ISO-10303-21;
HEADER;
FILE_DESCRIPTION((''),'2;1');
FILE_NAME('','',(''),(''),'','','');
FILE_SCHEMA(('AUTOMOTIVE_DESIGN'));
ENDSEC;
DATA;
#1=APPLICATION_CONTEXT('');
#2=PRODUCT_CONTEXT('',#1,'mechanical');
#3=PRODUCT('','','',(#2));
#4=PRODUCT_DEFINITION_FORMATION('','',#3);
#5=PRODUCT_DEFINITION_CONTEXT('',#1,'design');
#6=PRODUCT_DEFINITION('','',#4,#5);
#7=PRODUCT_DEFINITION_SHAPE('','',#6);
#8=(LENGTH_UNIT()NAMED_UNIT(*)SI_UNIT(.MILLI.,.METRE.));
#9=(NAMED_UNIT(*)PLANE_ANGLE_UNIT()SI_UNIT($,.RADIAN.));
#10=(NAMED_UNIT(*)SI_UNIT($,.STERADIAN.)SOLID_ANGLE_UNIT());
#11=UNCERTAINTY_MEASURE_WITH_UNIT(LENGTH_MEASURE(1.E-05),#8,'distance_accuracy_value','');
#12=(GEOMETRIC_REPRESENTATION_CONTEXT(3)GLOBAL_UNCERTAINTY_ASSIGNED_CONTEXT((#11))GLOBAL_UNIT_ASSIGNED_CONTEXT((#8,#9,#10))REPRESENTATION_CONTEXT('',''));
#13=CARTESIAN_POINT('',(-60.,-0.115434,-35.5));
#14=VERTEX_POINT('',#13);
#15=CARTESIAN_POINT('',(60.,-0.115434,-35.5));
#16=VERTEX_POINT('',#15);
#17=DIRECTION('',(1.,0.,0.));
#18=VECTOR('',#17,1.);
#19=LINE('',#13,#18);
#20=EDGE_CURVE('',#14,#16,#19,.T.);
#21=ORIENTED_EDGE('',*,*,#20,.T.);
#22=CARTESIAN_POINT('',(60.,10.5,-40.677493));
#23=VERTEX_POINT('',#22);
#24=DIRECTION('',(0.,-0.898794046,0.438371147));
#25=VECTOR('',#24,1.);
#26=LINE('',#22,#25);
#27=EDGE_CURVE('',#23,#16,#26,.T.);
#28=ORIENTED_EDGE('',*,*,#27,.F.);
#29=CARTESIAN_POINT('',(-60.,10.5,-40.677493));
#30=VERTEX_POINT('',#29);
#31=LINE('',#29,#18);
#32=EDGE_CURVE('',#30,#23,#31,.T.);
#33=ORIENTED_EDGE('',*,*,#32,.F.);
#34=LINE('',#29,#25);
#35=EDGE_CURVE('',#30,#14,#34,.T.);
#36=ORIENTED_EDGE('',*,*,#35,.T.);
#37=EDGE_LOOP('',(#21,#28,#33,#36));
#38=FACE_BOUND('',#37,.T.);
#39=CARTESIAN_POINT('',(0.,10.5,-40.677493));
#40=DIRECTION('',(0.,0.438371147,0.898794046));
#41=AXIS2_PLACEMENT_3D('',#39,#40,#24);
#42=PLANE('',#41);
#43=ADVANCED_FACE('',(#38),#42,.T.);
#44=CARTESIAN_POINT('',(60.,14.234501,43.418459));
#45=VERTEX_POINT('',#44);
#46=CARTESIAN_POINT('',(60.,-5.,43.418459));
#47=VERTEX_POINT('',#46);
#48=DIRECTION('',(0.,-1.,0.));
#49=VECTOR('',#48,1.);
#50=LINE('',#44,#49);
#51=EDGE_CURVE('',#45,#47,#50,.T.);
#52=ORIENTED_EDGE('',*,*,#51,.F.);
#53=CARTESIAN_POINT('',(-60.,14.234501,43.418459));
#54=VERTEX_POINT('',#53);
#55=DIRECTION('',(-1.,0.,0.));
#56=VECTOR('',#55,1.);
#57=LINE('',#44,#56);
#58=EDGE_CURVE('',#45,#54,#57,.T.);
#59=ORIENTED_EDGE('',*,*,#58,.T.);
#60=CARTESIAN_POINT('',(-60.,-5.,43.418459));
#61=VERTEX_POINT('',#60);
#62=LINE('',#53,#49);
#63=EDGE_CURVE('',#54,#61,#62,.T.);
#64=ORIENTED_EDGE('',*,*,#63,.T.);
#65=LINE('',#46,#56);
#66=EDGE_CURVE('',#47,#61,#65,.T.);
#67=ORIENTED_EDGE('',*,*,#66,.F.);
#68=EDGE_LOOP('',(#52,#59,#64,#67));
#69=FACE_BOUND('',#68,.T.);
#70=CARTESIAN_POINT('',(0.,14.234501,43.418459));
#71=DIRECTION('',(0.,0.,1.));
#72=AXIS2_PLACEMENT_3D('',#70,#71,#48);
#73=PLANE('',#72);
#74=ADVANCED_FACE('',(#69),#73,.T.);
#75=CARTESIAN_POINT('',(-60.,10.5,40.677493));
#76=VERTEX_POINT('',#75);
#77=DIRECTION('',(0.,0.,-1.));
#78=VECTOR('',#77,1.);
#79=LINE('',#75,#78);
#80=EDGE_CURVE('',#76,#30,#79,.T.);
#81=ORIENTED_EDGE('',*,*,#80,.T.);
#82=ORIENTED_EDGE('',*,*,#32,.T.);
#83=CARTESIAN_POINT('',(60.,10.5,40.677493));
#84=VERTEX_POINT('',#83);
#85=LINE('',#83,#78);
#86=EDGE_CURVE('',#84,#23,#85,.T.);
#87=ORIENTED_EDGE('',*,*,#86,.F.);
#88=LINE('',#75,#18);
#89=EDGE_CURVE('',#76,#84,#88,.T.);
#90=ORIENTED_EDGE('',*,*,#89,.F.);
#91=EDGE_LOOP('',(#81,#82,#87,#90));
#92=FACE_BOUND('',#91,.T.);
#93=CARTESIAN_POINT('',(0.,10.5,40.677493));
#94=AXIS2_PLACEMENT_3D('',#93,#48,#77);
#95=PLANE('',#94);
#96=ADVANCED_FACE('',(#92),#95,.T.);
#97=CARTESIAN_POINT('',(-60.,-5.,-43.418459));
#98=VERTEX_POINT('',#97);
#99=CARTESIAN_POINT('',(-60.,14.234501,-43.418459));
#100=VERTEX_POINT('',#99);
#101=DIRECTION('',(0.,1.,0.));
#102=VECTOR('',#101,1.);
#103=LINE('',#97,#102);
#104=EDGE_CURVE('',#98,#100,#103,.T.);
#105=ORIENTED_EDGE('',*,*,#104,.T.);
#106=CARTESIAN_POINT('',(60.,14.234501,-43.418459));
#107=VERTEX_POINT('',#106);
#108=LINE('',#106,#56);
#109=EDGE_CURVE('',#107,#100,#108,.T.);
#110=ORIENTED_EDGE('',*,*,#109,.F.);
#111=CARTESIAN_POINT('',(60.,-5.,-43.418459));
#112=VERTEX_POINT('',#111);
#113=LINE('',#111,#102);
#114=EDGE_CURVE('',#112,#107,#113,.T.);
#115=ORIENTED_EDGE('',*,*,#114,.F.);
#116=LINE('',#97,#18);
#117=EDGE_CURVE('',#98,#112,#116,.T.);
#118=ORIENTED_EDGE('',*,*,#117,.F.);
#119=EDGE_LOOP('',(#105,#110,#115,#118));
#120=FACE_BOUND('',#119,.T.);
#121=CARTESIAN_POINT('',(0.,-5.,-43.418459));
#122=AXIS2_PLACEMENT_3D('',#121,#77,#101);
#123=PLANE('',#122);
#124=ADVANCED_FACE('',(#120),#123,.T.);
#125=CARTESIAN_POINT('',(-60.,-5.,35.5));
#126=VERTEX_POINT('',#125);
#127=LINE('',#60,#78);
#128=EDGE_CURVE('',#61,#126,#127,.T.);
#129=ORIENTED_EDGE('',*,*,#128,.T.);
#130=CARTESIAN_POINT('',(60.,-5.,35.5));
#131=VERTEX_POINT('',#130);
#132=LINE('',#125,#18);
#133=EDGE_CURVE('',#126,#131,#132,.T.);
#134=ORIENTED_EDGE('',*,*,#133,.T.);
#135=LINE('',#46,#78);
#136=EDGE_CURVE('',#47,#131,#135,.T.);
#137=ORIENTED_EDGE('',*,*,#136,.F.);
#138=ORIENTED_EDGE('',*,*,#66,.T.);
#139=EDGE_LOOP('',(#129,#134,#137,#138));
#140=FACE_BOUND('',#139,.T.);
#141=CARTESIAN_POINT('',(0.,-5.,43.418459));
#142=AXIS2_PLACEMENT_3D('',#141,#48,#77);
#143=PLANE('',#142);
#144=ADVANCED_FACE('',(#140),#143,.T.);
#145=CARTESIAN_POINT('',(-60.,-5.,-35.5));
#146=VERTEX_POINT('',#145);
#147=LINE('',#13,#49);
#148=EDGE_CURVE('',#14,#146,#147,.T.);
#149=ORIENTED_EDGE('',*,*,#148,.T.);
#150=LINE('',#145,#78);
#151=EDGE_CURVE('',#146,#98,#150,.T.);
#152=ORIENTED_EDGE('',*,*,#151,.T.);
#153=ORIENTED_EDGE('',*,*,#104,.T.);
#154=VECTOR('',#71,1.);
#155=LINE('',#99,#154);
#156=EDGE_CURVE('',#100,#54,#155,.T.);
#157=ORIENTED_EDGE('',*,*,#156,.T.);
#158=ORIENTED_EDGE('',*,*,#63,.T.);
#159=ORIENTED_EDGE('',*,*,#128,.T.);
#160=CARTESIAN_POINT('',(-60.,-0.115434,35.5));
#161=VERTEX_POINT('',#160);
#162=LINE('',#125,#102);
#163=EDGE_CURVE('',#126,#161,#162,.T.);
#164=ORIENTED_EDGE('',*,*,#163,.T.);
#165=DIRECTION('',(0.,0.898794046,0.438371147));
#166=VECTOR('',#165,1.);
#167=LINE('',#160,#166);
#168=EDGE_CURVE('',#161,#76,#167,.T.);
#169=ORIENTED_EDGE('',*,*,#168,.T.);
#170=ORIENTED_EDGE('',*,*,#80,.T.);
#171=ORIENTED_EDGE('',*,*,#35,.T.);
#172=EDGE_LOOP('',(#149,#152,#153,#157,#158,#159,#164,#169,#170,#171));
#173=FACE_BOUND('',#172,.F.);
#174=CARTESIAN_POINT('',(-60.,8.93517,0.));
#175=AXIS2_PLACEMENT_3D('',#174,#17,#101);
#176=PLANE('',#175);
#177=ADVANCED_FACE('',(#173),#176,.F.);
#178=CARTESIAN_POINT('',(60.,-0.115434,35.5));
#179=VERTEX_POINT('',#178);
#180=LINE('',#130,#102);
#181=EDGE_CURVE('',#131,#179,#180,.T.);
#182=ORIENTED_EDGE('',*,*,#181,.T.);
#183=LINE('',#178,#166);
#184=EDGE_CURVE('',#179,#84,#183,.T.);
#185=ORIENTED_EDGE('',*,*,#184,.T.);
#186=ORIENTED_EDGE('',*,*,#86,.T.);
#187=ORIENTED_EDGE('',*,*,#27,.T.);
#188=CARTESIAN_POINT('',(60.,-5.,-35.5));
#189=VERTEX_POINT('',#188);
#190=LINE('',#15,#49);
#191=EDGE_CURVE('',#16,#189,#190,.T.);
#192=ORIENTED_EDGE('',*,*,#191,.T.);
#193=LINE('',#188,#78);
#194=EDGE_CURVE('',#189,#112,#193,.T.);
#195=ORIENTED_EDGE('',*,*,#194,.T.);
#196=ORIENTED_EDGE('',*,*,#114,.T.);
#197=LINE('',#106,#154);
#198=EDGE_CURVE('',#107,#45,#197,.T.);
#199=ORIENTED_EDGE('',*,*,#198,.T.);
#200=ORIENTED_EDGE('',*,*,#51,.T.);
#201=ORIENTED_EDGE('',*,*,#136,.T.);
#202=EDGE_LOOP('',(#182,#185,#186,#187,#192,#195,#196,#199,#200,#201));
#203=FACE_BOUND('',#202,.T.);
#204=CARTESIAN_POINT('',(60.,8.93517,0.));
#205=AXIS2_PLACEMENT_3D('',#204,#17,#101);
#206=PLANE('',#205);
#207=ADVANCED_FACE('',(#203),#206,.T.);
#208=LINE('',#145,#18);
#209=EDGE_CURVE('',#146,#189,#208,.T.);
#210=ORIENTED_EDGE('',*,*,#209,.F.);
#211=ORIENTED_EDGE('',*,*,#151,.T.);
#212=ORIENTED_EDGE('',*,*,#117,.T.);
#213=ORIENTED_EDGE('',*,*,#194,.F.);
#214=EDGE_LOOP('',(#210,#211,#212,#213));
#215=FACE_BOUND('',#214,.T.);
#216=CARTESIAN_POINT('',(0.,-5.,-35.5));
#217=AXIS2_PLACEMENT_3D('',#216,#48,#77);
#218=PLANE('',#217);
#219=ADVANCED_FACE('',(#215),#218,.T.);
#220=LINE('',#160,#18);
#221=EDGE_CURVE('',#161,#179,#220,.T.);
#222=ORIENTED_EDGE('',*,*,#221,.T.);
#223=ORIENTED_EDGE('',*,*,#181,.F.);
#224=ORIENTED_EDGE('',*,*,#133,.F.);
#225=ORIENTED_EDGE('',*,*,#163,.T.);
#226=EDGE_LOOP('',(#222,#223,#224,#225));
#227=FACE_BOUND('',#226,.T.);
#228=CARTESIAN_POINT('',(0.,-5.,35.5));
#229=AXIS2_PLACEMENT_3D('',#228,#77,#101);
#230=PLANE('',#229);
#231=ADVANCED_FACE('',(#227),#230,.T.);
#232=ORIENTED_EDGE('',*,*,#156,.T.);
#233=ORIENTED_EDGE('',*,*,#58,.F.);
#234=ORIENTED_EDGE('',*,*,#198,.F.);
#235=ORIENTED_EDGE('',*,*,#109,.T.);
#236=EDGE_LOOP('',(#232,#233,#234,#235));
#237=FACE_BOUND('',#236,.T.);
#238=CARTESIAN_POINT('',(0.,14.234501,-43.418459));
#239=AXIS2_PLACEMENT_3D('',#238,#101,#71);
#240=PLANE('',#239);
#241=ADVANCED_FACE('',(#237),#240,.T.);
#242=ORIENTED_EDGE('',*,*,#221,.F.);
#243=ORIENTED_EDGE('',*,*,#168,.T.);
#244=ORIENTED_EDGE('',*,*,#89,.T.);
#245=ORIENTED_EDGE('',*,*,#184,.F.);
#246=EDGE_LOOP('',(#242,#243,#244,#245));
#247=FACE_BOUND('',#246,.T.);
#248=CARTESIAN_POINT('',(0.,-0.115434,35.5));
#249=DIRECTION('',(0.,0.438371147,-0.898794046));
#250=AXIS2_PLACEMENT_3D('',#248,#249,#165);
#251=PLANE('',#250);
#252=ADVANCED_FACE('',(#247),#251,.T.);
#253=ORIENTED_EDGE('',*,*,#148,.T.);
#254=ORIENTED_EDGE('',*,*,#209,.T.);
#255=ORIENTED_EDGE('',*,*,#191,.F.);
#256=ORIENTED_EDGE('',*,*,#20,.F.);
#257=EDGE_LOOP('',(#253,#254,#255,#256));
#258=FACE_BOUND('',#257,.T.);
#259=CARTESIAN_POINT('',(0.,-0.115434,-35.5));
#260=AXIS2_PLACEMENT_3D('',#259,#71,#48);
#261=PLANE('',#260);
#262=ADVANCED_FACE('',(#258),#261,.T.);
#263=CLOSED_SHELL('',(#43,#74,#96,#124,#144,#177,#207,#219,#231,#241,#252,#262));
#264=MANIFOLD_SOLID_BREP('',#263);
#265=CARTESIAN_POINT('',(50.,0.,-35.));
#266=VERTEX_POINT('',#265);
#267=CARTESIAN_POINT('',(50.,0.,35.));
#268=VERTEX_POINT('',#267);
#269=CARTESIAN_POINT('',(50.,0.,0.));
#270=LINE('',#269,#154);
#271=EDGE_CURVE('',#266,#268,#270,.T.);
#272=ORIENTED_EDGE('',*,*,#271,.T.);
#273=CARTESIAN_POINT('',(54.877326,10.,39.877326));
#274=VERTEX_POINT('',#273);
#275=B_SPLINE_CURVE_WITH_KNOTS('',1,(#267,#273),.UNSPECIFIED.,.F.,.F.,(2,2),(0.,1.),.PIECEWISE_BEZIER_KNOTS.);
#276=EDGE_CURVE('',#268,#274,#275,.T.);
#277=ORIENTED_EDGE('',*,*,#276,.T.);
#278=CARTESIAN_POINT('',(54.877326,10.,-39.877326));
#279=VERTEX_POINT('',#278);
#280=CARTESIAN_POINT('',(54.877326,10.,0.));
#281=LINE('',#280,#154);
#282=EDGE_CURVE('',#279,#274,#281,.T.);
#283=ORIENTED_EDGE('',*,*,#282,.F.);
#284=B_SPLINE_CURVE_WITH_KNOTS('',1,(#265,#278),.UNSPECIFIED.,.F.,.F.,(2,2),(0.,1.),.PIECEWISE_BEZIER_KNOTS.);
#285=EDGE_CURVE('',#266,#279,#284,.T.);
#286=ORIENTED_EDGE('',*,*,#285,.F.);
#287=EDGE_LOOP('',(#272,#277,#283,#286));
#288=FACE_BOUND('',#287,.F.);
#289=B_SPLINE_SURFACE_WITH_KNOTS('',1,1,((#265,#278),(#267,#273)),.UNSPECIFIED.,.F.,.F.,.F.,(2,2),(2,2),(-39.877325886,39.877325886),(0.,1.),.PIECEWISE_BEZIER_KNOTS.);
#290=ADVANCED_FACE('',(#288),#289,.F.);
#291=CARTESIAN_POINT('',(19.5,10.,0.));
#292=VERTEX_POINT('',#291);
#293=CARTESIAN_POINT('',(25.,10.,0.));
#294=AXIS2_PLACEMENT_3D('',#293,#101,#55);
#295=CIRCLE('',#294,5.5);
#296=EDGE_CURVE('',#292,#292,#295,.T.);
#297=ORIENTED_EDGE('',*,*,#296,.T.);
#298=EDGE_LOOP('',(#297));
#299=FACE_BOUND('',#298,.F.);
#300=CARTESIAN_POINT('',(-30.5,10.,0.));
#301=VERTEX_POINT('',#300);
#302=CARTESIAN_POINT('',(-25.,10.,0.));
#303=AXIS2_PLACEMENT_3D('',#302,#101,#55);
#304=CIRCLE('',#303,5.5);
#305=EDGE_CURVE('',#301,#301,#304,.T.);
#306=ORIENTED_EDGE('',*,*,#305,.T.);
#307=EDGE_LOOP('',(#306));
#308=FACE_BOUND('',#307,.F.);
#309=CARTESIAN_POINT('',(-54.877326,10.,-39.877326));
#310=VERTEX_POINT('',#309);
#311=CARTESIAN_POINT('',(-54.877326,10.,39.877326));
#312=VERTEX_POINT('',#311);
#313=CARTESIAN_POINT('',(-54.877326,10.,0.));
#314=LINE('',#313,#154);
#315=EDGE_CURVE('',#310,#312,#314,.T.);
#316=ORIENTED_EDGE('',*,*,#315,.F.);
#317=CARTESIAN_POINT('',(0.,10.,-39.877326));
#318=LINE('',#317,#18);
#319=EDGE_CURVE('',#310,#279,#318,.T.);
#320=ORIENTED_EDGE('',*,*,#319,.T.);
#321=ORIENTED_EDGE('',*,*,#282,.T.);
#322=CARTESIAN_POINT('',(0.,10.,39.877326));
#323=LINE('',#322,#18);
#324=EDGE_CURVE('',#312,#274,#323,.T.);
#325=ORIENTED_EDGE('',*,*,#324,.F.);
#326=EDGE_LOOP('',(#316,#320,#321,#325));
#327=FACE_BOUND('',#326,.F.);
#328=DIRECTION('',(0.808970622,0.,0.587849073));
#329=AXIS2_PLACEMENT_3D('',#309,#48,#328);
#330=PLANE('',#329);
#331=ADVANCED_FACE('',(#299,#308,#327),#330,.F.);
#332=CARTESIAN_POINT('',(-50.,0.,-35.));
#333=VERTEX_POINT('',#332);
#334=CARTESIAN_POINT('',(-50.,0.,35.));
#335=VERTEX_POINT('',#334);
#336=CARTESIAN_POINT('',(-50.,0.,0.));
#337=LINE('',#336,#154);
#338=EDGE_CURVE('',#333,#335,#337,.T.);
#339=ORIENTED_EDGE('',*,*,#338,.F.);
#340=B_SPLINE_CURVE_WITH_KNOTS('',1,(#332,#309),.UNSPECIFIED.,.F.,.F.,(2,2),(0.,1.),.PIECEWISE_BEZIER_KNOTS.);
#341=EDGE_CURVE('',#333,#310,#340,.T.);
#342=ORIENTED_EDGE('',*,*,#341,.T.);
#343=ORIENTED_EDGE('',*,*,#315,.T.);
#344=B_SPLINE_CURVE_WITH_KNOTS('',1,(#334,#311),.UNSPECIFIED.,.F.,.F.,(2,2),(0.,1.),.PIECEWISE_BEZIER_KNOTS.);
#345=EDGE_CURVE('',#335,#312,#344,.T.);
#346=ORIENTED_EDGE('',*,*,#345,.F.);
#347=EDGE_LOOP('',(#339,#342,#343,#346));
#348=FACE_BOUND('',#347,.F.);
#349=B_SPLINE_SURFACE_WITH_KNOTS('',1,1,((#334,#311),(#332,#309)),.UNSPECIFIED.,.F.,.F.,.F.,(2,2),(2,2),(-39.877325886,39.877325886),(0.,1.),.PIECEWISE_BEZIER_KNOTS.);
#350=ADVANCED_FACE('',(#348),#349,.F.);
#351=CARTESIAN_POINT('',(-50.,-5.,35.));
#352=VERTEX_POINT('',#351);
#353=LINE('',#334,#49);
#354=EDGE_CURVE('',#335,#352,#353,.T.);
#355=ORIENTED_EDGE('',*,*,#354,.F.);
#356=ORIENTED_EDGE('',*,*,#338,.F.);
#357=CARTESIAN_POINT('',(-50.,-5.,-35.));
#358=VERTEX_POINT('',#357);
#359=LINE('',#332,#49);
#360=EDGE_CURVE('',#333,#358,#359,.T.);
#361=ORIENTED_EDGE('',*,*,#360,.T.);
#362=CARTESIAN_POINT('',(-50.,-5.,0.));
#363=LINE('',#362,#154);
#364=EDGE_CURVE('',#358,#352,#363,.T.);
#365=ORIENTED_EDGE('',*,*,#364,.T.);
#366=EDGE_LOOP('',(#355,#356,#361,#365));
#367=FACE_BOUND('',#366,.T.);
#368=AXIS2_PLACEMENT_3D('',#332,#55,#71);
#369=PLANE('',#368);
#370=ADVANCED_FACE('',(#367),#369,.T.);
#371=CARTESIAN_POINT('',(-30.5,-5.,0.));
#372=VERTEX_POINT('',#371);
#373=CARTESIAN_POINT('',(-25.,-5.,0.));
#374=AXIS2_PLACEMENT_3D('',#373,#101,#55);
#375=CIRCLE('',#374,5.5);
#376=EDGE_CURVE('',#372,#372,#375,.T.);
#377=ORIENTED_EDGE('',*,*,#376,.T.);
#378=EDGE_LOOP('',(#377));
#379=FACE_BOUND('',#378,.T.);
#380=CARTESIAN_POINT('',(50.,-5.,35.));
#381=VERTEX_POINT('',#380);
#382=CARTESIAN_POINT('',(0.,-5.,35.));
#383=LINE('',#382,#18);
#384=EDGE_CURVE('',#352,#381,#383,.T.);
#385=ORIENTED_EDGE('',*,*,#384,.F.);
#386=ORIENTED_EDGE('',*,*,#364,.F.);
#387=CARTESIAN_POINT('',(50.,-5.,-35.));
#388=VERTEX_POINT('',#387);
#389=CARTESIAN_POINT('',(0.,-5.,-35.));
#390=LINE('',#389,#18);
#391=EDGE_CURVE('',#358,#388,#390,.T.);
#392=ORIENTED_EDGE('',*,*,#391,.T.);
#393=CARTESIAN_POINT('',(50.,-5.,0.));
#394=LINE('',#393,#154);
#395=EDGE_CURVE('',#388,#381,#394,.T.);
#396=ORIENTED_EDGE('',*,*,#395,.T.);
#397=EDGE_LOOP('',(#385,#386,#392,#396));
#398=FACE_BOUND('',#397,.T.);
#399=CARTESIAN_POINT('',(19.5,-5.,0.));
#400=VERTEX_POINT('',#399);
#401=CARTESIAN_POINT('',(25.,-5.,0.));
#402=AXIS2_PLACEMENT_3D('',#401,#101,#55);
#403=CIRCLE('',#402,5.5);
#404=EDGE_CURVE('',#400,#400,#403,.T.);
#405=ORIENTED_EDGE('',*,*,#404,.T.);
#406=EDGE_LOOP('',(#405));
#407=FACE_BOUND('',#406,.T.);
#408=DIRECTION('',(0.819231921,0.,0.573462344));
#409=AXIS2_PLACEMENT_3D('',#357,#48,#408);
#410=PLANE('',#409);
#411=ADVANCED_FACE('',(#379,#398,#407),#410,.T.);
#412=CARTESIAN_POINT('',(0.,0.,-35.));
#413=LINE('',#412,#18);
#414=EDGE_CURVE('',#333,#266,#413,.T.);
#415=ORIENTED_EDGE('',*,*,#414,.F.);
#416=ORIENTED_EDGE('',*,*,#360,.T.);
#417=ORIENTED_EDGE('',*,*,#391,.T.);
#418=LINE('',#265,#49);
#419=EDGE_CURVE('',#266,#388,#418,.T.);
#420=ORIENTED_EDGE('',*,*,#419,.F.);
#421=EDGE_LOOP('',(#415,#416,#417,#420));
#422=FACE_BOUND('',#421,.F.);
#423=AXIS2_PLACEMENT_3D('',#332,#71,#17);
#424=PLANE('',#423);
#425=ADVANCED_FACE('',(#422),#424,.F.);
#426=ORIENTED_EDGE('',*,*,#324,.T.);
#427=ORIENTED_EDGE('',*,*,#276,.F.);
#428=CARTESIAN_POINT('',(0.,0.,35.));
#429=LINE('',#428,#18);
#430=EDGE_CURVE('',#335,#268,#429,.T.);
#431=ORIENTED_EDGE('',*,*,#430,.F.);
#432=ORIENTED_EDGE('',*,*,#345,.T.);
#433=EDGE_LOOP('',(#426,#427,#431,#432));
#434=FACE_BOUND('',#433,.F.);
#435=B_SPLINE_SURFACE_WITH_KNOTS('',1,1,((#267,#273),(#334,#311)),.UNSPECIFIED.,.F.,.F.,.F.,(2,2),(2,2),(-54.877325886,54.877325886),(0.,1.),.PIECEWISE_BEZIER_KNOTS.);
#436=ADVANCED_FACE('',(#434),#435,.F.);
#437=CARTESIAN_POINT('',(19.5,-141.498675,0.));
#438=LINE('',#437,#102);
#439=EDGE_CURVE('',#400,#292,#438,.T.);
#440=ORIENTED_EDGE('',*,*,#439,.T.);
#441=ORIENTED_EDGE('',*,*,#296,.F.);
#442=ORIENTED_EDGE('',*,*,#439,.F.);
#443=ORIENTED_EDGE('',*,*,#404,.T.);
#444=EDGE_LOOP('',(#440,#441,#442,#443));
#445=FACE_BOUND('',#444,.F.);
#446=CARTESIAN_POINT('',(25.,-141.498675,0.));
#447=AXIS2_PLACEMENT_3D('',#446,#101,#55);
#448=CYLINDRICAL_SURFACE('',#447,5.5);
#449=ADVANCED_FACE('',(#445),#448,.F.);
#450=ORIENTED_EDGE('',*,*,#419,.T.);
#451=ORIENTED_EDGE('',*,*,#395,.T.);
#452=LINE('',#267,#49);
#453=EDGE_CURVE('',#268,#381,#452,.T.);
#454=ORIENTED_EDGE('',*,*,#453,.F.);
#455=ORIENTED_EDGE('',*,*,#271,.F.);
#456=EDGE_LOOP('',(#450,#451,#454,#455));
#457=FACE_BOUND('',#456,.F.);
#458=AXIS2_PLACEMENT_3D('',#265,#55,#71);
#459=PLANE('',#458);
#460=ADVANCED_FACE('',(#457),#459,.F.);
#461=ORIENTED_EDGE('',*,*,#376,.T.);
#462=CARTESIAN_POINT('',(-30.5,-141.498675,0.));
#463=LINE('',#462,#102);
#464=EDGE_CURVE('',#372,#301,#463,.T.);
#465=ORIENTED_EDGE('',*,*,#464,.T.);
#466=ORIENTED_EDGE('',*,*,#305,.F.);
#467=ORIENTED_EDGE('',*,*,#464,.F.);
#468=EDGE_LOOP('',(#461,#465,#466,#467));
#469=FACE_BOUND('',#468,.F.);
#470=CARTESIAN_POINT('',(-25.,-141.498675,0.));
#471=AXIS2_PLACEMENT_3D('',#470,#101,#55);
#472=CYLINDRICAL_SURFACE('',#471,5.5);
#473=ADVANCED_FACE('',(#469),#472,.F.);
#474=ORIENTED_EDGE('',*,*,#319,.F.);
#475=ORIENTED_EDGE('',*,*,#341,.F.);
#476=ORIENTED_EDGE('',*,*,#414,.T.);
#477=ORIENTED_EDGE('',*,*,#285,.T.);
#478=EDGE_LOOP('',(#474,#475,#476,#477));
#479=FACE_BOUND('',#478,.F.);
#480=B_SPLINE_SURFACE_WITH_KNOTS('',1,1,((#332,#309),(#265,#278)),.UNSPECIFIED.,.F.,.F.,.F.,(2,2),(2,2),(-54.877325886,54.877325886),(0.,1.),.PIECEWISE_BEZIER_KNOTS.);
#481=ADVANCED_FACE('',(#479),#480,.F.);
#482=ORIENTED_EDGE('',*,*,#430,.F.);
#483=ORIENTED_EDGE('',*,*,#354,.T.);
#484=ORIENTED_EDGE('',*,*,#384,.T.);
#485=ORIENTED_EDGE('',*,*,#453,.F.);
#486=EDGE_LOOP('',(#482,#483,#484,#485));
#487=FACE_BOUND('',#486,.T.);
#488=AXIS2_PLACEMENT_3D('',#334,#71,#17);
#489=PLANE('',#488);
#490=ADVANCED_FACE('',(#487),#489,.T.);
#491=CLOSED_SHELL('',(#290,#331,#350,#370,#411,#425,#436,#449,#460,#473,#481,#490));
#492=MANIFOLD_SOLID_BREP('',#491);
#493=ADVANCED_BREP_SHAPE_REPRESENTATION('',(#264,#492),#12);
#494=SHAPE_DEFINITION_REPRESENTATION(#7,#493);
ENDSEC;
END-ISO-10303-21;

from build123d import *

# Parameters (mm, degrees)
F0_W          = 100
F0_H          = 70
F1_DEPTH      = 10
F1_TAPER      = -26
F2_DEPTH      = 5
F4_D          = 11
F6_DEPTH      = 60
F6_DEPTH_BACK = 60


with BuildPart() as f1:
    # F0 (on Front) → F1 (new body)
    with BuildSketch(Plane.XZ):
        Rectangle(F0_W, F0_H)
    extrude(amount=-F1_DEPTH, taper=F1_TAPER)

    # F2 (add): a face of the model
    f2_faces = [f1.faces().sort_by_distance(p)[0] for p in [
        (0, 0, 0),
    ]]
    extrude(f2_faces, amount=F2_DEPTH)

    # F4 (through all)
    with Locations(Plane.XZ.offset(5)):
        with Locations((-25, 0), (25, 0)):
            Hole(F4_D / 2)


with BuildPart() as f6:
    # F5 (on Right) → F6 (new body, two sides)
    with BuildSketch(Plane.YZ) as f6_sk:
        Polygon((-5, 43.4184594378), (-5, 35.5), (-0.1154340956, 35.5), (10.5, 40.6774931502), (10.5, -40.6774931502), (-0.1154340956, -35.5), (-5, -35.5), (-5, -43.4184594378), (14.2345009372, -43.4184594378), (14.2345009372, 43.4184594378), align=None)
    extrude(amount=F6_DEPTH)
    extrude(f6_sk.sketch, amount=-F6_DEPTH_BACK)


solid = Compound([f1.part, f6.part])
